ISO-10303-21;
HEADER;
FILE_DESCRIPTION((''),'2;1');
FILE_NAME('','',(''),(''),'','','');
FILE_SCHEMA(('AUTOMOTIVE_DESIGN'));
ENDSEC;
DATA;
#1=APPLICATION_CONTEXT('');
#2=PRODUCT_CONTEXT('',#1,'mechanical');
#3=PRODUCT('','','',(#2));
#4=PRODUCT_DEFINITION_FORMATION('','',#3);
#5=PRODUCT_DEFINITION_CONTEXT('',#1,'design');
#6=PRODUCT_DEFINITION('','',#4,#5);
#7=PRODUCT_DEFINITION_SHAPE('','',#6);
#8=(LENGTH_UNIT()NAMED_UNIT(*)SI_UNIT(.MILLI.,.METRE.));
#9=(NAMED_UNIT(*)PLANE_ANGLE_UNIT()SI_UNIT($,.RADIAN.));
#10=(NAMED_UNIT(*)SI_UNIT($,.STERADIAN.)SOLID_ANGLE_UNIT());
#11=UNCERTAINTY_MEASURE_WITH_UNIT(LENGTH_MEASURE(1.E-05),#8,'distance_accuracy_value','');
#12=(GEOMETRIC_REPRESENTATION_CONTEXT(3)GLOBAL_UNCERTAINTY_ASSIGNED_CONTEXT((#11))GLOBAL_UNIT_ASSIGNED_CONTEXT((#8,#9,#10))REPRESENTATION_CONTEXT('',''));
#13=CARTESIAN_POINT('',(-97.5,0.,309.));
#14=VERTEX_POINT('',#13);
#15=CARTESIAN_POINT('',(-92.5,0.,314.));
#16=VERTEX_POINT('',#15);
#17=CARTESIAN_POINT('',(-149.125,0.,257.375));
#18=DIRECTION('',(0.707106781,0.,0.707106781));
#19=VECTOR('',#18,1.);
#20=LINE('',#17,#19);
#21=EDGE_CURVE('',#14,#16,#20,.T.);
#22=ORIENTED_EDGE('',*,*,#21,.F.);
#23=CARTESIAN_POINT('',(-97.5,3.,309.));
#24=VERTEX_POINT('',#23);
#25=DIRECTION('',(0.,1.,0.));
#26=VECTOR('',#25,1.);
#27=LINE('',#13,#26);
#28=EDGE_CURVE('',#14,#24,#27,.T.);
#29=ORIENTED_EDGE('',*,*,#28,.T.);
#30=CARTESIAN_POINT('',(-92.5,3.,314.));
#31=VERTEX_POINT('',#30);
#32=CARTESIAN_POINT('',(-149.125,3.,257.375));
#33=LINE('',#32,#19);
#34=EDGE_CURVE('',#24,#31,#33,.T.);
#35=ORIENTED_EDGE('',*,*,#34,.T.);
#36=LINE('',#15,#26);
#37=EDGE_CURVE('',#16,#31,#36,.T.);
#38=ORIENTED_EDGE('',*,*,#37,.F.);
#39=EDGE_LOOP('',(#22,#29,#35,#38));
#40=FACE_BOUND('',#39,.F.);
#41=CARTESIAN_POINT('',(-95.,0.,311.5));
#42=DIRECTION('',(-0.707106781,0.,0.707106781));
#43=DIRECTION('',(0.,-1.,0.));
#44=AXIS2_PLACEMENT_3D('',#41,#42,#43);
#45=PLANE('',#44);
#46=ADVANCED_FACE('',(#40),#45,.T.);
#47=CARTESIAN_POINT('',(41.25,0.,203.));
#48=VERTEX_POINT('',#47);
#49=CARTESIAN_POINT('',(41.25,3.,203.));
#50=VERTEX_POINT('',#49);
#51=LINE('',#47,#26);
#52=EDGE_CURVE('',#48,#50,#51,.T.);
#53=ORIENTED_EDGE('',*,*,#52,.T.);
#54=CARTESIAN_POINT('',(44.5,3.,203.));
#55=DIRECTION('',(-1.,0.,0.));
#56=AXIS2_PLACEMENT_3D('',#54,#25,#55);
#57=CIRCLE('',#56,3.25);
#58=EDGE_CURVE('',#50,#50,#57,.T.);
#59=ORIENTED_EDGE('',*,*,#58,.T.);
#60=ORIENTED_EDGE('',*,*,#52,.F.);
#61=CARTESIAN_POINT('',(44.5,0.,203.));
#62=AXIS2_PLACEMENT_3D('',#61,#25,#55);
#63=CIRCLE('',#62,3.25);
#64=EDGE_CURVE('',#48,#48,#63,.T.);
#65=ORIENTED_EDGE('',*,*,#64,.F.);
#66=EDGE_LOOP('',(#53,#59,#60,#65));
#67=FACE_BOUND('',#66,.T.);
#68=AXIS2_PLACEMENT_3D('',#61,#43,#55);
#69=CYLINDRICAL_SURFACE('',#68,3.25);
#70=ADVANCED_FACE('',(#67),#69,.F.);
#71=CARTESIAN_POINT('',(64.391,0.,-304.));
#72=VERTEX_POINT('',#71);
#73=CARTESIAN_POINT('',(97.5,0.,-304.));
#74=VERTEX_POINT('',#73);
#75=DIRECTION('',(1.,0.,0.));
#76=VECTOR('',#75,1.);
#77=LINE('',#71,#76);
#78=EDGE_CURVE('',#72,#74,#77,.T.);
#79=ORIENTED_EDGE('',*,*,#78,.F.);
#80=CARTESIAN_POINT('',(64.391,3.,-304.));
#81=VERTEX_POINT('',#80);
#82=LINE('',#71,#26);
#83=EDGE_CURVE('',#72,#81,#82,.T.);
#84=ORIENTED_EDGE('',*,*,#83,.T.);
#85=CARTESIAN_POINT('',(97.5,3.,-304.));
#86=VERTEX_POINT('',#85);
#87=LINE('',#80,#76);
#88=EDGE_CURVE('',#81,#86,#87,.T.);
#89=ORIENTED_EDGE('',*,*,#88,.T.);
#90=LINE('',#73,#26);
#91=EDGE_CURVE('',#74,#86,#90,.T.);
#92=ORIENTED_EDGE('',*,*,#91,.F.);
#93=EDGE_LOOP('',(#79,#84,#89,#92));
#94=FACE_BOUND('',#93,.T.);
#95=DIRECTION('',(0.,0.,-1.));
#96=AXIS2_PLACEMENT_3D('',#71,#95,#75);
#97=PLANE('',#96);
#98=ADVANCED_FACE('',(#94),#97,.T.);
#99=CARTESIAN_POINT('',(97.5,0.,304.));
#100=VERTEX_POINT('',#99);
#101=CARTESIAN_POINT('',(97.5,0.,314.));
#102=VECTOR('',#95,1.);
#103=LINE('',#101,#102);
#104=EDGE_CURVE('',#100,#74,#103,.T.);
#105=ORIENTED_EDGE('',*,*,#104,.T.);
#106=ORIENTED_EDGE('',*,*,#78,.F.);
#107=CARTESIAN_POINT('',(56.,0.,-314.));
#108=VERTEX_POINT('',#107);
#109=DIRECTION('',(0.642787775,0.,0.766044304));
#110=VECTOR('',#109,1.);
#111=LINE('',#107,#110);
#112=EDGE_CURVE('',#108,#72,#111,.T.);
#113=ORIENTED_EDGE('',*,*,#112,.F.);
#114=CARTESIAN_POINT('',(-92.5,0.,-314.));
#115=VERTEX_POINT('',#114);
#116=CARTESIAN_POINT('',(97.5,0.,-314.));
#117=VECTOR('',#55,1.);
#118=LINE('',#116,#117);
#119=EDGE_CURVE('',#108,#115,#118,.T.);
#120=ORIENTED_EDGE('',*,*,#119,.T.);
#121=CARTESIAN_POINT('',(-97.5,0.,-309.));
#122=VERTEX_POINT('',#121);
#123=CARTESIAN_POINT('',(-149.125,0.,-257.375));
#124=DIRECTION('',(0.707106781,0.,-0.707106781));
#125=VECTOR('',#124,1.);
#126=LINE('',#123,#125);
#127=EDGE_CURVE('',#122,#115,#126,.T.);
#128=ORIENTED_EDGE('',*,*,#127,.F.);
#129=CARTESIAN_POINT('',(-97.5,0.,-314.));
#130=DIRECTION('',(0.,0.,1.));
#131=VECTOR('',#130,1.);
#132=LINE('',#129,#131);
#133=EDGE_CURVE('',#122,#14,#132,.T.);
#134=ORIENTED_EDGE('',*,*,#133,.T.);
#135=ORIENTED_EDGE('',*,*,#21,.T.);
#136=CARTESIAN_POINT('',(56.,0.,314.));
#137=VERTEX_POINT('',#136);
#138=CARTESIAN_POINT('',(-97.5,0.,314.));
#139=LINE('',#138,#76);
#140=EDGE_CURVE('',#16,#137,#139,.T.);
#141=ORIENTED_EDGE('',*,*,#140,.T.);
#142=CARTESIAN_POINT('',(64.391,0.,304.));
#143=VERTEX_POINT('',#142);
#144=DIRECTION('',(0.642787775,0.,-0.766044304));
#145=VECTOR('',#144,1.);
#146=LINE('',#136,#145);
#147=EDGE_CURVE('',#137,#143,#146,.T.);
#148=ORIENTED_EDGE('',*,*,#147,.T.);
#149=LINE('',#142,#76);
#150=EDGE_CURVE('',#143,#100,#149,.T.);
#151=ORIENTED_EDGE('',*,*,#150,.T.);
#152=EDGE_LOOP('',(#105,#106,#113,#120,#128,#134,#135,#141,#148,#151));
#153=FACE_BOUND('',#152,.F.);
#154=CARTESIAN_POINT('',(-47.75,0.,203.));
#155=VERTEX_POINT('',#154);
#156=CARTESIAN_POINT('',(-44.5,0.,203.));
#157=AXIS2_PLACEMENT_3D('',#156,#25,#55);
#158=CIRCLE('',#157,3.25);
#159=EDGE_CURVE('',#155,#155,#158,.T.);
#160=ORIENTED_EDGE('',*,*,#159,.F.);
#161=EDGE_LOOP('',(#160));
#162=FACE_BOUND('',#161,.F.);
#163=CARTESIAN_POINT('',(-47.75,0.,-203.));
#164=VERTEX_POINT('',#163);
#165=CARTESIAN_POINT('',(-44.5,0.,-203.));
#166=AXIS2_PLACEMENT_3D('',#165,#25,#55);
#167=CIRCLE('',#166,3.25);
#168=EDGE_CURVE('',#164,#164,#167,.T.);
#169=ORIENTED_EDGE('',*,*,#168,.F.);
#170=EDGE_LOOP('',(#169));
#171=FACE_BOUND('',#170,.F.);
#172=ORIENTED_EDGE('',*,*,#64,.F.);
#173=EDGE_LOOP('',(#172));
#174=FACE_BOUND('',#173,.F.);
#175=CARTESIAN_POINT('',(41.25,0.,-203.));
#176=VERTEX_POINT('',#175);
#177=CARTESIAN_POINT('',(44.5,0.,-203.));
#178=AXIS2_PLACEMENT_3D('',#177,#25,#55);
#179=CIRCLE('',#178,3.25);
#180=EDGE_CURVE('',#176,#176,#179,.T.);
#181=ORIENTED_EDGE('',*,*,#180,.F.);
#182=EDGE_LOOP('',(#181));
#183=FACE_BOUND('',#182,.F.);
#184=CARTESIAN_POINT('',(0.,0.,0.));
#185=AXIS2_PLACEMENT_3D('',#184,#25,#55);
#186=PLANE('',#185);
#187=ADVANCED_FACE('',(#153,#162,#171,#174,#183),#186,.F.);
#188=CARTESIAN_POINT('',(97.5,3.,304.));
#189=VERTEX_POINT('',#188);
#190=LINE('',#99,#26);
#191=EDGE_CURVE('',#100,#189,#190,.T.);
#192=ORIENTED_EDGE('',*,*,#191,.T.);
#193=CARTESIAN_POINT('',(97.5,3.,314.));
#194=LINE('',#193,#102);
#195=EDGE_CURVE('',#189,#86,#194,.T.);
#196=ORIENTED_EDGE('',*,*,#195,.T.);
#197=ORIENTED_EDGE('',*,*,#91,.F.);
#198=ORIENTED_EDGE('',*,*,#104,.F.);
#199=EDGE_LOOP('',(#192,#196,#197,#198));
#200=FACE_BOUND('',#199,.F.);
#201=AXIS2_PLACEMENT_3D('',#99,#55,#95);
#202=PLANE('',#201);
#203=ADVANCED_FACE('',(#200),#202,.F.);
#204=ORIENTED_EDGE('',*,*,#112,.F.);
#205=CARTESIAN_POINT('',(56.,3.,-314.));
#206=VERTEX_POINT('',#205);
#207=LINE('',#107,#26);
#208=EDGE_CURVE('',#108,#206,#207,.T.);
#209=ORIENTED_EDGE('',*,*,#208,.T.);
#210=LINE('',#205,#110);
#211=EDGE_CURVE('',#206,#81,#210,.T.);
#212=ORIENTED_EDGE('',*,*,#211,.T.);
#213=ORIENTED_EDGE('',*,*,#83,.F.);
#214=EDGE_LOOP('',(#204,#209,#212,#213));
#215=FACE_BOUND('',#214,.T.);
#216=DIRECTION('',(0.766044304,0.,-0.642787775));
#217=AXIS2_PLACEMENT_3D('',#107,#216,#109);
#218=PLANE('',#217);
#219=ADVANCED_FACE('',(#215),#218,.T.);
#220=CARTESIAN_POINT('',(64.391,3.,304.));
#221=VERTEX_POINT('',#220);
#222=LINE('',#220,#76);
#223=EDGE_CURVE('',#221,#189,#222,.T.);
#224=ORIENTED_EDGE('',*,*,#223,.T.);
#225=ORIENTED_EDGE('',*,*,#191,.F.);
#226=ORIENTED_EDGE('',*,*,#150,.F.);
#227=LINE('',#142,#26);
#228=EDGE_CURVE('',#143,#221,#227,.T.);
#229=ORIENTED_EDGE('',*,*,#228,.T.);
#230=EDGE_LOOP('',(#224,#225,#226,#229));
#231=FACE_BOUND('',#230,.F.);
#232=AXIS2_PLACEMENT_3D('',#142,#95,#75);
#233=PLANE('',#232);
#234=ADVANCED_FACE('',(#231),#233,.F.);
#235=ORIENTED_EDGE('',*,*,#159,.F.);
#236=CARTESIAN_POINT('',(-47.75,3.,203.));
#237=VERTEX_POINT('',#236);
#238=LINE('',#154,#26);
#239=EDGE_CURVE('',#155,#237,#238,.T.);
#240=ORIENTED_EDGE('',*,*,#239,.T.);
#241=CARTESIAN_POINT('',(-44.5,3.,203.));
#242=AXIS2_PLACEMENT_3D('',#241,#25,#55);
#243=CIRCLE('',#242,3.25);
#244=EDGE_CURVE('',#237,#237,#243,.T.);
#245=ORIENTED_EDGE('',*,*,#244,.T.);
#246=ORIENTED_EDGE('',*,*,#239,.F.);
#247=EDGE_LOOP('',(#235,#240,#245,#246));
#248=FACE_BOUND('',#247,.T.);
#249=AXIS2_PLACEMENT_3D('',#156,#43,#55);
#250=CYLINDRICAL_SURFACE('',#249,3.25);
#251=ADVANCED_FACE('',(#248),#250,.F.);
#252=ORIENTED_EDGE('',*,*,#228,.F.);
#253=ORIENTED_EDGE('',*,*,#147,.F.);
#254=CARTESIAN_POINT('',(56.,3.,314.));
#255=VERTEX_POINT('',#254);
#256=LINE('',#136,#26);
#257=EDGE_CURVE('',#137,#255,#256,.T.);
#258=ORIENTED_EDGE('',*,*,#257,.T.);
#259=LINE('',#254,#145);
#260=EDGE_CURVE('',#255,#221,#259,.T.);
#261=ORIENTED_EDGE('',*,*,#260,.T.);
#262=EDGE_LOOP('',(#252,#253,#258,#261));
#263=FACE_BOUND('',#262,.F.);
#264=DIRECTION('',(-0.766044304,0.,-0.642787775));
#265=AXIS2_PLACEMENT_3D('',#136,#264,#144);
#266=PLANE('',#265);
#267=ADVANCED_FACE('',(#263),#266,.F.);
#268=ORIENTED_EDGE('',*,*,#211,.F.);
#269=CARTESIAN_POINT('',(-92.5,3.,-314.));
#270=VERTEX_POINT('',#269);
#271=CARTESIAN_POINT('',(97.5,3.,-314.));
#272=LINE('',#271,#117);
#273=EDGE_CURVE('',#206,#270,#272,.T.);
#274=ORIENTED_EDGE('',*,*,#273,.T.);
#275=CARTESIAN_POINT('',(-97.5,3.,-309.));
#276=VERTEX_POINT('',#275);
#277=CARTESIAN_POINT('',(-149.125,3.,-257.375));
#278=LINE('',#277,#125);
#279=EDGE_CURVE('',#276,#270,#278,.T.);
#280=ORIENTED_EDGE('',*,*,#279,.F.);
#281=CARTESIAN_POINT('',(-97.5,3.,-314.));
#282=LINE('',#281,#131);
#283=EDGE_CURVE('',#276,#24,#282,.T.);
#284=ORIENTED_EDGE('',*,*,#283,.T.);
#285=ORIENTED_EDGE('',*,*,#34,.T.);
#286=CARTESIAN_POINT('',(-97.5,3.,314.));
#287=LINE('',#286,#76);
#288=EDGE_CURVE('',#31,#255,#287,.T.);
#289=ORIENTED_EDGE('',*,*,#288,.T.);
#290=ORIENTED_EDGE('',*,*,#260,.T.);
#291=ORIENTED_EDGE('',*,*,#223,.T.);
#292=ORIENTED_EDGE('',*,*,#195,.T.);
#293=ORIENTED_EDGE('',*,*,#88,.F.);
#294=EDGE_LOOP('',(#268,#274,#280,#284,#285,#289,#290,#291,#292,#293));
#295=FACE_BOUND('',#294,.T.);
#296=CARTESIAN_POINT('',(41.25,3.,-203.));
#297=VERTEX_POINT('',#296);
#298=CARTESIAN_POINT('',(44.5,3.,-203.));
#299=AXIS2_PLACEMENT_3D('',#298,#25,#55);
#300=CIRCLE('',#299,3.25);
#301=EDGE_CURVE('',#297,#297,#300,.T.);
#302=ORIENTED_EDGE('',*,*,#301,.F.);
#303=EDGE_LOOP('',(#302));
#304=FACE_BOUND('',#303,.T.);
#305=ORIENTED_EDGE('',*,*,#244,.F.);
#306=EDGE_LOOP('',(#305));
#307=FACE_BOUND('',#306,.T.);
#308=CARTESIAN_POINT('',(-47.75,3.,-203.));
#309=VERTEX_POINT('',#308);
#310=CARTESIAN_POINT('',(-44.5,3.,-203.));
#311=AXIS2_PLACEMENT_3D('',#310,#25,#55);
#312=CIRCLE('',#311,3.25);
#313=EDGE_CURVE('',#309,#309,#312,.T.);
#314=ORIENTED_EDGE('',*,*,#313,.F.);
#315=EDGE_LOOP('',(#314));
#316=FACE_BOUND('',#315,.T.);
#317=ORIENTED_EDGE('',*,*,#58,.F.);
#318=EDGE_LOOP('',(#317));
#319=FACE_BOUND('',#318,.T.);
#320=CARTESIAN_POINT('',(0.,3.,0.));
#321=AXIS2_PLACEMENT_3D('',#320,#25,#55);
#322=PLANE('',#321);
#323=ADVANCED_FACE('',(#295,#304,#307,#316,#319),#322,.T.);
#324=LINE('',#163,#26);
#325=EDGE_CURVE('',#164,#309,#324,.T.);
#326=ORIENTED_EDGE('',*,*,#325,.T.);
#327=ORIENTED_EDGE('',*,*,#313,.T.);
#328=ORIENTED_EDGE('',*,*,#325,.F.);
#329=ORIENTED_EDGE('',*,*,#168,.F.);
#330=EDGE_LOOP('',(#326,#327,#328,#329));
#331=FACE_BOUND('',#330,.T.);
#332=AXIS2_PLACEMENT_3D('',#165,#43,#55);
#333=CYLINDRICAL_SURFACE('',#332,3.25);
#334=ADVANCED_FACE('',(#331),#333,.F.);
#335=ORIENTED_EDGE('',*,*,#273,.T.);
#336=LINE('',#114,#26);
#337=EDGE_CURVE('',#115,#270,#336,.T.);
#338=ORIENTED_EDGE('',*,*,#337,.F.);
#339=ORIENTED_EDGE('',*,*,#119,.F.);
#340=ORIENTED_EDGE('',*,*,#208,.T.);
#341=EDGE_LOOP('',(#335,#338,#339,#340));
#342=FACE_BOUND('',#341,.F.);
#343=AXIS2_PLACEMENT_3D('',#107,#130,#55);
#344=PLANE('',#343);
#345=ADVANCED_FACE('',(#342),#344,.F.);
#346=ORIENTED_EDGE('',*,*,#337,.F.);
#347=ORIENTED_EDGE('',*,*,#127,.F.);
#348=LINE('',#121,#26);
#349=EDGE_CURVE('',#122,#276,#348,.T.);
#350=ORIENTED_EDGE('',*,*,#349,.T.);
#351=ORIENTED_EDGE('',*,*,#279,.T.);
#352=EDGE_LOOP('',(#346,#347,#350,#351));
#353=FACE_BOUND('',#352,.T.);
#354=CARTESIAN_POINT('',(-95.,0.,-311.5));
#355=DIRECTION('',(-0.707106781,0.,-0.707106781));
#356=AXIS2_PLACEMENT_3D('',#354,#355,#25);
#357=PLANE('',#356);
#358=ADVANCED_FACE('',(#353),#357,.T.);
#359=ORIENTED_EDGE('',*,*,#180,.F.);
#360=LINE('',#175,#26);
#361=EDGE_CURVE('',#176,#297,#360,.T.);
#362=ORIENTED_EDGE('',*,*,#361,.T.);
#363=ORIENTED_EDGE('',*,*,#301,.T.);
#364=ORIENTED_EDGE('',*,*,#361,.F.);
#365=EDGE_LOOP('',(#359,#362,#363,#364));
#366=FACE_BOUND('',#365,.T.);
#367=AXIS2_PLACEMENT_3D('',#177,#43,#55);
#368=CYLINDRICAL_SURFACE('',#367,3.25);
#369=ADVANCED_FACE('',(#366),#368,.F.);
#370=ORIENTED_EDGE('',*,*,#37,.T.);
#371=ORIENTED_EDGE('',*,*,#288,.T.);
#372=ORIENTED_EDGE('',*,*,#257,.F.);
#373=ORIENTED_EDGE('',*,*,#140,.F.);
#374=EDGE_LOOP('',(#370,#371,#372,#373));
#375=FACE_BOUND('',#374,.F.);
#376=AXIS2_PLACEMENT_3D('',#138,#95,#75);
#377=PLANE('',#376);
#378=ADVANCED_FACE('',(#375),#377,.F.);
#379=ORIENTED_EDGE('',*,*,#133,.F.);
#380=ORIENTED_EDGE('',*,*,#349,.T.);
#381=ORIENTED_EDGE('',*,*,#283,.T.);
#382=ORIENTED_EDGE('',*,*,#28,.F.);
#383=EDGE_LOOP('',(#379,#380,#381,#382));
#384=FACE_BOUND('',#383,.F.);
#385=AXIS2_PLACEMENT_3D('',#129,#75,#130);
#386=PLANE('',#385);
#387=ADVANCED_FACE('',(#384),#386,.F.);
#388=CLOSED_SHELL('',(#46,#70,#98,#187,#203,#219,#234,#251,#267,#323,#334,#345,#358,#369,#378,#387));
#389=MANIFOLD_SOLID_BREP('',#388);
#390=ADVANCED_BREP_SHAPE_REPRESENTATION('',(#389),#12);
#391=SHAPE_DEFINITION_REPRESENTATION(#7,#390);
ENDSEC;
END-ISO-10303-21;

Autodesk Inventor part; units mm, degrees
ref_plane "YZ Plane" through (0, 0, 0) normal (1, 0, 0) x (0, 1, 0)
ref_plane "XZ Plane" through (0, 0, 0) normal (0, 1, 0) x (-1, 0, 0)
ref_plane "XY Plane" through (0, 0, 0) normal (0, 0, 1) x (1, 0, 0)
sketch "Skizze1" plane through (0, 0, 0) normal (0, 1, 0) x (-1, 0, 0)
  line L0 (97.5, 314) -> (-97.5, 314)
  line L1 (-97.5, 314) -> (-97.5, -314)
  line L2 (-97.5, -314) -> (97.5, -314)
  line L3 (97.5, -314) -> (97.5, 314)
  line L4 (97.5, 314) -> (-97.5, -314) construction
  line L5 (-97.5, 314) -> (97.5, -314) construction
  line L6 (-136.5, 0) -> (136.5, 0) construction
  line L7 (0, -439.6) -> (0, 439.6) construction
  circle A0 centre (44.5, -203) radius 3.25
  circle A1 centre (-44.5, -203) radius 3.25
  circle A2 centre (44.5, 203) radius 3.25
  circle A3 centre (-44.5, 203) radius 3.25
  line L8 (-56, -314) -> (-64.391, -304)
  line L9 (-64.391, -304) -> (-97.5, -304)
  line L10 (-56, 314) -> (-64.391, 304)
  line L11 (-64.391, 304) -> (-97.5, 304)
  point P0 (0, 0)
  point P1 (-56, 314)
  dimension "d0" = 628
  dimension "d1" = 195
  dimension "d2" = 6.5
  dimension "d3" = 44.5
  dimension "d4" = 111
  dimension "d10" = 41.5
  dimension "d11" = 10
  dimension "d12" = 50
extrude "Extrusion1" add sketch "Skizze1" along normal blind 3 contours L3 L2 L8 L9 L1 L11 L10 L0
chamfer "Fase1" distance 5 angle 45 2 edges at (-97.5, 1.5, 314) (-97.5, 1.5, -314)
properties part number "enc-BackPanel Top for 4040"
